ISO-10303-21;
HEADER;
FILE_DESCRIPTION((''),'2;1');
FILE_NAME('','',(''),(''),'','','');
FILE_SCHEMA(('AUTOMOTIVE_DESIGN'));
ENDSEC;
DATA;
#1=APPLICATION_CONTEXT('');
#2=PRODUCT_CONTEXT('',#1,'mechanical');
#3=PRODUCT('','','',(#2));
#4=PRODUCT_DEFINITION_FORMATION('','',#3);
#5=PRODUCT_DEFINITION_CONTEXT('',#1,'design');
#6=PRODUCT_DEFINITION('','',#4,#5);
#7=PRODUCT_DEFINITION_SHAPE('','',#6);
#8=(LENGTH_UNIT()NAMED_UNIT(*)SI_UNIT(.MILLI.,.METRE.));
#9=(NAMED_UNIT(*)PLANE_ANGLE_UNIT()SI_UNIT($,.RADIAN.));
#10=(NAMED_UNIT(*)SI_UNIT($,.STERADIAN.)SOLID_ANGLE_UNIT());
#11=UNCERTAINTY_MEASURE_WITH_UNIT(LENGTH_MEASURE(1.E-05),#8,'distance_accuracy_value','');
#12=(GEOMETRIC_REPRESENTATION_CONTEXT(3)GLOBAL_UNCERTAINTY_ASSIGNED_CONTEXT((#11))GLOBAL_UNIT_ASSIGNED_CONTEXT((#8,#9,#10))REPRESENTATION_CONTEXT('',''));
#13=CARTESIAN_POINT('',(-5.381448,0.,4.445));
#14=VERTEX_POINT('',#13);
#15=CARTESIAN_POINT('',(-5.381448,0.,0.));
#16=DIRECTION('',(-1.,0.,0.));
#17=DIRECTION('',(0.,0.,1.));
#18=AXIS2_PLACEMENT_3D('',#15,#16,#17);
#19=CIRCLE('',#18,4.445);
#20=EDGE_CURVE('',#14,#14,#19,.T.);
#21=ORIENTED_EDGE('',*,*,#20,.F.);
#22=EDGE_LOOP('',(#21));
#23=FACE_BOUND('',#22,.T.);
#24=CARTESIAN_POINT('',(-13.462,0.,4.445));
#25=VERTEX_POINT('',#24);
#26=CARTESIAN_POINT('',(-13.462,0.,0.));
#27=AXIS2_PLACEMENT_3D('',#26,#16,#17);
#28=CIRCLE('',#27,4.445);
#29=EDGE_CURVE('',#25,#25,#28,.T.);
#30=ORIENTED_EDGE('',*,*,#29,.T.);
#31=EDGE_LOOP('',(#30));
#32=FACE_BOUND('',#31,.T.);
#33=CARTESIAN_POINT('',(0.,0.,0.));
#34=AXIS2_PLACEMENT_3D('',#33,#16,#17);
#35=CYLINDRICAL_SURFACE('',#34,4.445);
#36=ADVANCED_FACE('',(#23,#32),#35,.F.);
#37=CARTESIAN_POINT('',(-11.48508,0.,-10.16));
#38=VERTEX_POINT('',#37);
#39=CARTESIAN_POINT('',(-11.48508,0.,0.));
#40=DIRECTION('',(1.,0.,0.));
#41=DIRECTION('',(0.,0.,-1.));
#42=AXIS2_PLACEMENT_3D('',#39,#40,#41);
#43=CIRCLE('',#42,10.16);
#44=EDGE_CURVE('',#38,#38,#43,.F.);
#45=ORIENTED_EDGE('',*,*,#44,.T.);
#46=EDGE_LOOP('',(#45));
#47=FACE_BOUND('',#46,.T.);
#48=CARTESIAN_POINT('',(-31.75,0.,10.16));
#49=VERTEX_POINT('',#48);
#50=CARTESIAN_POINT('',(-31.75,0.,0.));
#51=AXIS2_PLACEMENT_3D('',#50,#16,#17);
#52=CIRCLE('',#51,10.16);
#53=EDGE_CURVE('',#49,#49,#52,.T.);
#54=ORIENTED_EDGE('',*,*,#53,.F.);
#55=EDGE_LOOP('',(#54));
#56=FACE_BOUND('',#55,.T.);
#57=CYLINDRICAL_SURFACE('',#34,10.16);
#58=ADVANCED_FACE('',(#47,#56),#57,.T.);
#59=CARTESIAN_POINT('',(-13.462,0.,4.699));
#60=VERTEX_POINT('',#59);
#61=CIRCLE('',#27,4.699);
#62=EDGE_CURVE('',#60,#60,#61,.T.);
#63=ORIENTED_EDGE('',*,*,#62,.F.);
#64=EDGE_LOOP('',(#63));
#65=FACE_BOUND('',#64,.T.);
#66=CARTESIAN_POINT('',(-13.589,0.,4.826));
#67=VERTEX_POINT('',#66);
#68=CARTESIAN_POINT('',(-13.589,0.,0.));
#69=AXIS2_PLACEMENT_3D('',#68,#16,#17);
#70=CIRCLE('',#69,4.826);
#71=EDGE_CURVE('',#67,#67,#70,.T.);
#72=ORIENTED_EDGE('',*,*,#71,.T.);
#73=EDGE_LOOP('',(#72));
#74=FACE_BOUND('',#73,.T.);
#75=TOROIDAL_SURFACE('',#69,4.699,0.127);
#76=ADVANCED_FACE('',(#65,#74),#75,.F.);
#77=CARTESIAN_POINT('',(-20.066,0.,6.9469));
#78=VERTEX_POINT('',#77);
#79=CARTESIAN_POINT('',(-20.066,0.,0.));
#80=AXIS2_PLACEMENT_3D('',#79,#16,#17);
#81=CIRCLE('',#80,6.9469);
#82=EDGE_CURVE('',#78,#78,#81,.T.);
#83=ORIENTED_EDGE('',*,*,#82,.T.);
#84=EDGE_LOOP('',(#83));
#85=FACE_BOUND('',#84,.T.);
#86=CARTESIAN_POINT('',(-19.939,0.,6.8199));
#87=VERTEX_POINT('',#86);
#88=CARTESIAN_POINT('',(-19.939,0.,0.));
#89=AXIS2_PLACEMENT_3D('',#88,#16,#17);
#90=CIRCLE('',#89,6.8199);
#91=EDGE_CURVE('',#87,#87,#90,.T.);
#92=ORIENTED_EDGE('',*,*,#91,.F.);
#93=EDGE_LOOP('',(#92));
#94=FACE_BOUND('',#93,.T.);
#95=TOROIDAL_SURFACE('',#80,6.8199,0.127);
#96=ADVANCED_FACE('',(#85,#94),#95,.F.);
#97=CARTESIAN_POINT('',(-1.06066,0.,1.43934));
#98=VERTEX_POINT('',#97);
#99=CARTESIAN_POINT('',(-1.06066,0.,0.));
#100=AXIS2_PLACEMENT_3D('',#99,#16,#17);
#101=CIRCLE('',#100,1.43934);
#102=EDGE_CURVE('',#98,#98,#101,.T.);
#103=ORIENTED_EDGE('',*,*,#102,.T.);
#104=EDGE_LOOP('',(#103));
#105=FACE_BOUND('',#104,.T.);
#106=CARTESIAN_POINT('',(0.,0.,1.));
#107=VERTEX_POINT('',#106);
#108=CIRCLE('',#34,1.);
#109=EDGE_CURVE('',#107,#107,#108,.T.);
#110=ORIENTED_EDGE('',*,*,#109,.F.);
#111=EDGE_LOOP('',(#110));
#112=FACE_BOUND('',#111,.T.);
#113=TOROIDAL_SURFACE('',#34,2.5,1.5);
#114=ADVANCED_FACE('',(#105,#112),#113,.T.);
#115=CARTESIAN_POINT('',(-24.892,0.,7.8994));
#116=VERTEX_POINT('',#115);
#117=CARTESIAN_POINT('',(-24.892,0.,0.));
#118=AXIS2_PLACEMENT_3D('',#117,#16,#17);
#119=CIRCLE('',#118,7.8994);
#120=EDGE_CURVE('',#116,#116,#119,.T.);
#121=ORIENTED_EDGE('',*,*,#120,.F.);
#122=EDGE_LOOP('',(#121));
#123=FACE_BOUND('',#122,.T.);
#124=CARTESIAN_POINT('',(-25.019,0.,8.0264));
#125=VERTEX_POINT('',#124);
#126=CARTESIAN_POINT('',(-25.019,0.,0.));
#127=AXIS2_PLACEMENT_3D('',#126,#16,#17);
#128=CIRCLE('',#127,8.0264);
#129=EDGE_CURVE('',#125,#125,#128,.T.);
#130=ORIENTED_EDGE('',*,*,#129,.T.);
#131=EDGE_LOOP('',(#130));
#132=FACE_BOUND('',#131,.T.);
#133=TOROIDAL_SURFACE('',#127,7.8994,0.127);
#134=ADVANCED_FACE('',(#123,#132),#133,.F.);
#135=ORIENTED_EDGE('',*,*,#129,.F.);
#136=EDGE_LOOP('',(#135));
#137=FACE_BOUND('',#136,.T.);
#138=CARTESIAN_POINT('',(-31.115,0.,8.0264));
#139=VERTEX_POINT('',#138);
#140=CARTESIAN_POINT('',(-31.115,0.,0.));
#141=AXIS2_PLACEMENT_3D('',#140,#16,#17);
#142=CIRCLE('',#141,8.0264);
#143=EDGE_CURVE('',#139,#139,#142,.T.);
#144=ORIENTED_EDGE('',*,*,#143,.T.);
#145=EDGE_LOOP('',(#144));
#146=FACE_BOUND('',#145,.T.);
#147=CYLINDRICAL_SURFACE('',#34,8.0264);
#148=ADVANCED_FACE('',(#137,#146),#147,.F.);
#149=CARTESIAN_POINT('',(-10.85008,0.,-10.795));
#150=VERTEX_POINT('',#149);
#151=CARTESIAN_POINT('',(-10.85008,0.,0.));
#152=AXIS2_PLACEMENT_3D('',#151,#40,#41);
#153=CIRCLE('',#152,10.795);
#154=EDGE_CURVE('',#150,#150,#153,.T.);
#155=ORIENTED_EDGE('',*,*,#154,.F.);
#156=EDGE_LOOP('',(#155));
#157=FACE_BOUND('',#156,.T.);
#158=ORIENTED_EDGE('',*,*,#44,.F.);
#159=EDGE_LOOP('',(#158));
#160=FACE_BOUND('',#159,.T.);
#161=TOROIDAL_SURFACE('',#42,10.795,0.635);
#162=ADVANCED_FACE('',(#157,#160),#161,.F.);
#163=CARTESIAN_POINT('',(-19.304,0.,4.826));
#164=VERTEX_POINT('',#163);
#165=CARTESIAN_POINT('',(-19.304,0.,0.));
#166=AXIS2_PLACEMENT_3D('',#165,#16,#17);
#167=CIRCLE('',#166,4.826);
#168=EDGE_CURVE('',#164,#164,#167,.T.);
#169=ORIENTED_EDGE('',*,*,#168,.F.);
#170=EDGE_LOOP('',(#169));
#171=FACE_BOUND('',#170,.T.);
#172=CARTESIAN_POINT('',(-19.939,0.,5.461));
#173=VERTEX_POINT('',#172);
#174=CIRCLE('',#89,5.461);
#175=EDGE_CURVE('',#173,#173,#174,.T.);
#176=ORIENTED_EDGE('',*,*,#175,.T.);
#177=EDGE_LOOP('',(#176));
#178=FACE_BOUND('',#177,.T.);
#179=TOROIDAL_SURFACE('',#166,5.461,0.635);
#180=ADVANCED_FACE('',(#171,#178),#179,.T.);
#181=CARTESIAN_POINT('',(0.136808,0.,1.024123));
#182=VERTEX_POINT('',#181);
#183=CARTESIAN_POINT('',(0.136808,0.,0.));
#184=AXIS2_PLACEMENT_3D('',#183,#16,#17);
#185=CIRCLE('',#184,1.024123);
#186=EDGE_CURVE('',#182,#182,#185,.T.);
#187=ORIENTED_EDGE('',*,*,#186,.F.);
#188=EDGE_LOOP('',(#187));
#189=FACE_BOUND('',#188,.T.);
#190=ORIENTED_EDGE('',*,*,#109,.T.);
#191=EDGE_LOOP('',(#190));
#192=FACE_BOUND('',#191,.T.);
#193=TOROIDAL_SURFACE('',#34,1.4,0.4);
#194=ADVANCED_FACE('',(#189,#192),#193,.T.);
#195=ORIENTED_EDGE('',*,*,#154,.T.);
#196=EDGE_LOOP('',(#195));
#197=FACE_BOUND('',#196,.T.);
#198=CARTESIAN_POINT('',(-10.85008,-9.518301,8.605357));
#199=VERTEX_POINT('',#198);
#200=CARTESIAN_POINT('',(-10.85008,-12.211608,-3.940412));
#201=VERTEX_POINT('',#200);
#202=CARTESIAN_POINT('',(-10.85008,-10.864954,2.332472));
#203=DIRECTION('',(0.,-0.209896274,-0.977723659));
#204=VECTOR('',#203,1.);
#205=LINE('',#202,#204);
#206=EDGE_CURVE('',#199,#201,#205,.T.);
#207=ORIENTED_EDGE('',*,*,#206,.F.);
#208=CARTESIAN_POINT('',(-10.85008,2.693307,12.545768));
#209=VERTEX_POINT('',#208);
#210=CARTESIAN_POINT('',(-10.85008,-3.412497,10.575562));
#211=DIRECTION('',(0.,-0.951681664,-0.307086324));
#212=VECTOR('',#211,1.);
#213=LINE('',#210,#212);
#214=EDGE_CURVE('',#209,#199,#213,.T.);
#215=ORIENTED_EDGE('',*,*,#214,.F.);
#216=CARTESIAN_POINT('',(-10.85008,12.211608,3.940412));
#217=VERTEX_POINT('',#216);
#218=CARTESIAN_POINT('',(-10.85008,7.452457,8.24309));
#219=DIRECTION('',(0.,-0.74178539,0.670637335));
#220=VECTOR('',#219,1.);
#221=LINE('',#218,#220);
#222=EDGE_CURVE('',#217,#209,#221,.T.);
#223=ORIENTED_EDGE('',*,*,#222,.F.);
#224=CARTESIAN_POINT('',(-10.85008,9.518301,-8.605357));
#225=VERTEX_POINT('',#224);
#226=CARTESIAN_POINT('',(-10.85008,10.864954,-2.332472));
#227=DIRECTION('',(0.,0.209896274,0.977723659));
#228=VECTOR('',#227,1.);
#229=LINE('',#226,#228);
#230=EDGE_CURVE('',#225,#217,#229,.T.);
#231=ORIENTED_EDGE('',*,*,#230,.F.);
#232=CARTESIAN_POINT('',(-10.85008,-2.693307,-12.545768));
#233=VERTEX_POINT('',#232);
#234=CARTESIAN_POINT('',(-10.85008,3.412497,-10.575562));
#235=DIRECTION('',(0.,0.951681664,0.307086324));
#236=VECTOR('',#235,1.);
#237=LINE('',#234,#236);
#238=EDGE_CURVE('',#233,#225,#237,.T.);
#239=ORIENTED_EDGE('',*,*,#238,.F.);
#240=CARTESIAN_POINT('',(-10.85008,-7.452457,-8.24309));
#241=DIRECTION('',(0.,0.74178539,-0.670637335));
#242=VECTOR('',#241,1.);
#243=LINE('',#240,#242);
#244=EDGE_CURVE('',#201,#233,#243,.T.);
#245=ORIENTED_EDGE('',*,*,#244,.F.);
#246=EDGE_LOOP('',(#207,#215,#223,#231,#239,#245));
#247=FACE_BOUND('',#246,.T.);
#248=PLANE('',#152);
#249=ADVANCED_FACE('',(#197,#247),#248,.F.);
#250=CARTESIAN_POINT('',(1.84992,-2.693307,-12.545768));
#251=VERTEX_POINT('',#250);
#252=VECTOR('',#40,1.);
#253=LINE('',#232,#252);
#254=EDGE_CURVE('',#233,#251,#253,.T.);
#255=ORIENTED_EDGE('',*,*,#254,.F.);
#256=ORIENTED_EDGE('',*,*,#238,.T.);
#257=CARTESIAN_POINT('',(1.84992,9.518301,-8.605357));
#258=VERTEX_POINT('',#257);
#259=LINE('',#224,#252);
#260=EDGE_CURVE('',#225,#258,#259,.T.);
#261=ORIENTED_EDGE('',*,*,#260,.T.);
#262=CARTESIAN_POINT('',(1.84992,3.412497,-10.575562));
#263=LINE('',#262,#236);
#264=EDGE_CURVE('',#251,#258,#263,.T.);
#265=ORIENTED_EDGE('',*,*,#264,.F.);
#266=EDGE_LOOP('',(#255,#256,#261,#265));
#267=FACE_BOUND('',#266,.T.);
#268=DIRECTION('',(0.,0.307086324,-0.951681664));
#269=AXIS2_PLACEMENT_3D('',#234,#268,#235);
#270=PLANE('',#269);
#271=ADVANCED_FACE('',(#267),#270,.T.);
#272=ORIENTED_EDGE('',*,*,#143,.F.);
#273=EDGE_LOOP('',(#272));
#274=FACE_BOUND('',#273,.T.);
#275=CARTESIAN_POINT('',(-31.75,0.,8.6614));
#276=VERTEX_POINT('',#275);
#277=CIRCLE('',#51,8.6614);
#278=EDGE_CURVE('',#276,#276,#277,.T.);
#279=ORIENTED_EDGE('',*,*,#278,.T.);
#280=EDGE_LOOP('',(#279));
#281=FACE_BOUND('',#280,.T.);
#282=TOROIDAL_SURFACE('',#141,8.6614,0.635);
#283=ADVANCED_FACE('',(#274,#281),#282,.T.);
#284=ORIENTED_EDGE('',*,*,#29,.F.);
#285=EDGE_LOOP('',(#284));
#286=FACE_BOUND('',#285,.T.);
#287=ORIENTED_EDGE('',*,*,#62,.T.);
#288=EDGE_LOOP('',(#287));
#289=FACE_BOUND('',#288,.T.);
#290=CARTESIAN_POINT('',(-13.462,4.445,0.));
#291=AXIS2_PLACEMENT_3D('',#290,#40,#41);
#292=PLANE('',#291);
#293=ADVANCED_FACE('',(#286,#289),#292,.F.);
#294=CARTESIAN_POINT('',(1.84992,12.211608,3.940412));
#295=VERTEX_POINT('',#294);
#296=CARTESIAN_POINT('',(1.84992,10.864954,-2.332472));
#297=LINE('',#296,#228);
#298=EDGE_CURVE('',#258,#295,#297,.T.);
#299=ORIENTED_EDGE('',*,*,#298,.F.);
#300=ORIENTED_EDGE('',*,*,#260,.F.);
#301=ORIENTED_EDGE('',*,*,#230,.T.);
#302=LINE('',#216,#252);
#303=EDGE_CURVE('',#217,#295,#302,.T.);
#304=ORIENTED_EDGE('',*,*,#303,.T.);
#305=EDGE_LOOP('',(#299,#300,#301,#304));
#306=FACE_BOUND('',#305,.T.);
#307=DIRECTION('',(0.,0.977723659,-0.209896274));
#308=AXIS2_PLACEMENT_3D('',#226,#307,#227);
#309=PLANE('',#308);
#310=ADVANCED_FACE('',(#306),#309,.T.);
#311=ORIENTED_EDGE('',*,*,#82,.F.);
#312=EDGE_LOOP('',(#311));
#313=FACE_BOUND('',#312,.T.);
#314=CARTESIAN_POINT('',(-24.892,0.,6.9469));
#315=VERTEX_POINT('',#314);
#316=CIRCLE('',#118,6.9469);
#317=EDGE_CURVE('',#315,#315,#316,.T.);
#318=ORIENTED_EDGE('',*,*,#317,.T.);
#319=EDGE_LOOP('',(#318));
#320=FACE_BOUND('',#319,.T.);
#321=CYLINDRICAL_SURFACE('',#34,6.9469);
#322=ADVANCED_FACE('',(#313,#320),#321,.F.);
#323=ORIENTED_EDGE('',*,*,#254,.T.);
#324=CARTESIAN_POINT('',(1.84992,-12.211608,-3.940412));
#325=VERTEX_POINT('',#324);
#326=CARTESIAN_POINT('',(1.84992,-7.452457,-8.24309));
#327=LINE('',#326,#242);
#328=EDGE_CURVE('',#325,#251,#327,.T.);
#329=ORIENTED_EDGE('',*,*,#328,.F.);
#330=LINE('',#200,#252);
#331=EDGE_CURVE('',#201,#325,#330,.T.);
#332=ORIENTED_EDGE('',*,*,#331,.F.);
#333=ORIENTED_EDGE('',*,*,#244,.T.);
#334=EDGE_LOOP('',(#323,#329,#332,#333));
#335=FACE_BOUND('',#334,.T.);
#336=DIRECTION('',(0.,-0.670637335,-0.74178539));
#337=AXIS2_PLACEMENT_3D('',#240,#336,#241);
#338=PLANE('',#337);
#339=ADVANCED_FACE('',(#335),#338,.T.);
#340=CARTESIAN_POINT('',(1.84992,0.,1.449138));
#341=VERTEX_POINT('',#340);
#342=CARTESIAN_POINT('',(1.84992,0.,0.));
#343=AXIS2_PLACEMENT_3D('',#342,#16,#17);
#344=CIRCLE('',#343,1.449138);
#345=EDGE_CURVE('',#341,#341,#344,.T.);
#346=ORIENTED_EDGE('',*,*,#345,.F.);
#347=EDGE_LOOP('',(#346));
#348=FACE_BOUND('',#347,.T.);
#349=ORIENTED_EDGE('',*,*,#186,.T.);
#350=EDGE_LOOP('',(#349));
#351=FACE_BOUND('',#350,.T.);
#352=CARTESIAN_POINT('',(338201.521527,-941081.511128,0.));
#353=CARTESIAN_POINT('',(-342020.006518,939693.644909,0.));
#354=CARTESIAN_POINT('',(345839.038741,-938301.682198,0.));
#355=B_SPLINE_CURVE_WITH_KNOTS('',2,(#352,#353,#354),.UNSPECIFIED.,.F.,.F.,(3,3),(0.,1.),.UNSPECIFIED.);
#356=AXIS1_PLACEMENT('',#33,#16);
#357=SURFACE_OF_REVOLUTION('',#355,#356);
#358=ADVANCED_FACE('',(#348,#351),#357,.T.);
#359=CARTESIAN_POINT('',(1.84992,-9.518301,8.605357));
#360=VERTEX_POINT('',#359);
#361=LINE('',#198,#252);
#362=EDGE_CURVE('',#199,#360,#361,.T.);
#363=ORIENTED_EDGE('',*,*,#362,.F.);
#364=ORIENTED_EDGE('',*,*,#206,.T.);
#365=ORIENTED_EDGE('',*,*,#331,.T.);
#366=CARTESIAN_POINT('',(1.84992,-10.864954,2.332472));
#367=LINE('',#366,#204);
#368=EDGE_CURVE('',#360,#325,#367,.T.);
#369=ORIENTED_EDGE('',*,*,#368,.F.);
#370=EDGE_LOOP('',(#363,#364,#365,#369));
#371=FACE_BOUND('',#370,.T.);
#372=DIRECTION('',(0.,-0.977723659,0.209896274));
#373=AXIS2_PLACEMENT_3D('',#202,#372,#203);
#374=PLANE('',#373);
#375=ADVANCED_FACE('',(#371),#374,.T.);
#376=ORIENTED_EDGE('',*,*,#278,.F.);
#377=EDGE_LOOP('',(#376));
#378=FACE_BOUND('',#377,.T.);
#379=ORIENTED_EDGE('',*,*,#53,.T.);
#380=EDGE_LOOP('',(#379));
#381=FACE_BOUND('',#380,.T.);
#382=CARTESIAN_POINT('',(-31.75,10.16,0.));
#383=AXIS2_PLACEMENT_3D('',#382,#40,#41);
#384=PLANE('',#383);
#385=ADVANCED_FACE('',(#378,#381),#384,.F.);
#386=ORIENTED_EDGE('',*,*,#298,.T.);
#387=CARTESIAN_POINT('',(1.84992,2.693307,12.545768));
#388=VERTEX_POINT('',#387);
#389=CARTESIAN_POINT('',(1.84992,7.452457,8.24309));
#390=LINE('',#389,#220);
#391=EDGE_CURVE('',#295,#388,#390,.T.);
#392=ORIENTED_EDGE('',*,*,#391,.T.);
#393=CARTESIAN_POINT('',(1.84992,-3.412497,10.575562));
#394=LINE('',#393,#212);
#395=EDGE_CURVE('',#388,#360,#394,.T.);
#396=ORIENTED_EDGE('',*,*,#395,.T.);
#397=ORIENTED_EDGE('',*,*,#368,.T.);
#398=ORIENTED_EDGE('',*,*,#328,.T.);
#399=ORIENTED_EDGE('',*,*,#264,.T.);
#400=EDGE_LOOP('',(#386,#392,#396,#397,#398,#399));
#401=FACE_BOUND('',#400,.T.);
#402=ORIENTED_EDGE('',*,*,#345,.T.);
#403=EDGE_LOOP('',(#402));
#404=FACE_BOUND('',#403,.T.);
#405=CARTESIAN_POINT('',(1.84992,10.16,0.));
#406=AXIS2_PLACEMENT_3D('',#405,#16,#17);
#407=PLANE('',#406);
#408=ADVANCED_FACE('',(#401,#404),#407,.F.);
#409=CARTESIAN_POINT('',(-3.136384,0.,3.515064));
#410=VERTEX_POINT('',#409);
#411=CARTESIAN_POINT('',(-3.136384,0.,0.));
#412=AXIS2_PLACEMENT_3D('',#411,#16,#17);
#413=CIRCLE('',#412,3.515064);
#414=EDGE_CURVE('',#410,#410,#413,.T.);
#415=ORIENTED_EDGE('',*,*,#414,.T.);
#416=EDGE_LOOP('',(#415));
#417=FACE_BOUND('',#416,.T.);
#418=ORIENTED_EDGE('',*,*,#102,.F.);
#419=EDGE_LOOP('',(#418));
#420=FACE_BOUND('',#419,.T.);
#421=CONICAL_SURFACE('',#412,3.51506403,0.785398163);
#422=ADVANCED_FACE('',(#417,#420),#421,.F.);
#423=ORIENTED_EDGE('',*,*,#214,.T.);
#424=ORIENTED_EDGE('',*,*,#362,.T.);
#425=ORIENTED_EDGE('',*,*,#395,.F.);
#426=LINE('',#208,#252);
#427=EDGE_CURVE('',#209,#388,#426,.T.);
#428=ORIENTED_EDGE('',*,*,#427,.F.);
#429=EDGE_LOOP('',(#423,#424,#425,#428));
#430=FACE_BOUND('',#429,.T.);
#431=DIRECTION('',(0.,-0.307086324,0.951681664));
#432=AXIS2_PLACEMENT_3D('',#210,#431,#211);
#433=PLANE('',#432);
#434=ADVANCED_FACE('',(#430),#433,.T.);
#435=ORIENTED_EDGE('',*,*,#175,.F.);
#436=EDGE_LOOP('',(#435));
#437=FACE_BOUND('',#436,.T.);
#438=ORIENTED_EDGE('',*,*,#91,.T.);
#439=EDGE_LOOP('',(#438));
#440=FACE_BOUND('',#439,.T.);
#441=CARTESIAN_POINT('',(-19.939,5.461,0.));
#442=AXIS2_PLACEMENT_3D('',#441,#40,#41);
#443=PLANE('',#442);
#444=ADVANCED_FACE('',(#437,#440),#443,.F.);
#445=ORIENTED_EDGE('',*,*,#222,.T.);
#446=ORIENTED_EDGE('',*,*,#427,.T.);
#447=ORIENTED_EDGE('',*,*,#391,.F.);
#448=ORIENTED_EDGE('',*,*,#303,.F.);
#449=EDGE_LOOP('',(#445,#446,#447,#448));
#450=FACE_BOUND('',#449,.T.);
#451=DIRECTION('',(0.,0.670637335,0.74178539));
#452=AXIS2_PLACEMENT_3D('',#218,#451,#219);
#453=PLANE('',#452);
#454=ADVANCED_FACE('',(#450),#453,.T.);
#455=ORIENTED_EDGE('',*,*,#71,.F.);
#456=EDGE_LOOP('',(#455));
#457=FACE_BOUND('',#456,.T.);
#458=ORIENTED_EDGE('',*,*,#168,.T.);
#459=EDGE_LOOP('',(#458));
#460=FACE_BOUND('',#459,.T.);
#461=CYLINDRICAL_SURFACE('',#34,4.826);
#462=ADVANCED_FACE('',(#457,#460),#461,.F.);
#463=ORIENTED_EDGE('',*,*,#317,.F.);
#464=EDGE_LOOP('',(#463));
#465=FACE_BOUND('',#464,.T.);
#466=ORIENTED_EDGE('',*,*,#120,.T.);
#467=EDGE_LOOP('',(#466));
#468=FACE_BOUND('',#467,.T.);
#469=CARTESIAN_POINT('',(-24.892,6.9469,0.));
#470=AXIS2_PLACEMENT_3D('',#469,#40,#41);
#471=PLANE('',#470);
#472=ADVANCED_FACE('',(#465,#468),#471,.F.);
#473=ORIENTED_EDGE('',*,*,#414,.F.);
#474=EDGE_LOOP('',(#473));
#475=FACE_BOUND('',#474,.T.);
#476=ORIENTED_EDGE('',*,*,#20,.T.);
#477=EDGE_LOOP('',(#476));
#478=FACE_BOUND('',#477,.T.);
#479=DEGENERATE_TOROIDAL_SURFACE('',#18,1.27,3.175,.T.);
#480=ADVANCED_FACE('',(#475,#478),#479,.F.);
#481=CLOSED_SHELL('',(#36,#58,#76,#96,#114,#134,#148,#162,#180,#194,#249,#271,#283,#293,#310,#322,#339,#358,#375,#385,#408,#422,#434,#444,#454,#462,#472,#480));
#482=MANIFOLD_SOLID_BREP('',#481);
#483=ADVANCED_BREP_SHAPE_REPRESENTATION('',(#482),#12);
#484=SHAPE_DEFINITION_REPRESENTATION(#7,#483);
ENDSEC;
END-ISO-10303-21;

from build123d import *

# Parameters (mm, degrees)
SKETCH4_R           = 10.16
BOSS_EXTRUDE1_DEPTH = 12.7
FILLET1_R           = 0.635


with BuildPart() as part:
    # Sketch1 → Revolve1 (revolve)
    with BuildSketch(Plane.XY, mode=Mode.PRIVATE) as revolve1_sk:
        with BuildLine():
            Line((-1.060660172, 1.439339828), (-3.136384374, 3.51506403))
            ThreePointArc((-3.136384374, 3.51506403), (-4.166428506, 4.203317516), (-5.381448404, 4.445))
            Line((-5.381448404, 4.445), (-13.462, 4.445))
            Line((-13.462, 4.445), (-13.462, 4.699))
            ThreePointArc((-13.462, 4.699), (-13.499197439, 4.788802561), (-13.589, 4.826))
            Line((-13.589, 4.826), (-19.304, 4.826))
            ThreePointArc((-19.304, 4.826), (-19.753012806, 5.011987194), (-19.939, 5.461))
            Line((-19.939, 5.461), (-19.939, 6.8199))
            ThreePointArc((-19.939, 6.8199), (-19.976197439, 6.909702561), (-20.066, 6.9469))
            Line((-20.066, 6.9469), (-24.892, 6.9469))
            Line((-24.892, 6.9469), (-24.892, 7.8994))
            ThreePointArc((-24.892, 7.8994), (-24.929197439, 7.989202561), (-25.019, 8.0264))
            Line((-25.019, 8.0264), (-31.115, 8.0264))
            ThreePointArc((-31.115, 8.0264), (-31.564012806, 8.212387194), (-31.75, 8.6614))
            Line((-31.75, 8.6614), (-31.75, 10.16))
            Line((-31.75, 10.16), (-10.850079864, 10.16))
            Line((-10.850079864, 10.16), (1.849920136, 10.16))
            Line((1.849920136, 10.16), (1.849920136, 1.449137675))
            add(Edge.make_bspline(
                [(1.849920136, 1.449137675), (0.961464624, 1.324273395), (0.136808057, 1.024122952)],
                knots=[0, 0, 0, 1, 1, 1], degree=2))
            ThreePointArc((0.136808057, 1.024122952), (0.069459271, 1.006076899), (0, 1))
            ThreePointArc((0, 1), (-0.574025149, 1.114180701), (-1.060660172, 1.439339828))
        make_face()
    revolve(revolve1_sk.sketch.rotate(Axis((0, 0, 0), (1, 0, 0)), 90), axis=Axis((0, 0, 0), (1, 0, 0)))

    # Sketch4 → Boss-Extrude1 (add)
    with BuildSketch(Plane(origin=(1.849920136, 0, 0), x_dir=(0, 0, -1), z_dir=(1, 0, 0))):
        Polygon((3.940411868, -12.211607701), (12.545768424, -2.693307071), (8.605356556, 9.51830063), (-3.940411868, 12.211607701), (-12.545768424, 2.693307071), (-8.605356556, -9.51830063), align=None)
        with Locations(Location((0, 0, 0), (0, 0, 180))):
            Circle(SKETCH4_R, mode=Mode.SUBTRACT)
    extrude(amount=-BOSS_EXTRUDE1_DEPTH)

    # Fillet1
    fillet1_edges = [part.edges().sort_by_distance(p)[0] for p in [
        (-10.850079864, 0, -10.16),
    ]]
    fillet(fillet1_edges, radius=FILLET1_R)


solid = part.part
